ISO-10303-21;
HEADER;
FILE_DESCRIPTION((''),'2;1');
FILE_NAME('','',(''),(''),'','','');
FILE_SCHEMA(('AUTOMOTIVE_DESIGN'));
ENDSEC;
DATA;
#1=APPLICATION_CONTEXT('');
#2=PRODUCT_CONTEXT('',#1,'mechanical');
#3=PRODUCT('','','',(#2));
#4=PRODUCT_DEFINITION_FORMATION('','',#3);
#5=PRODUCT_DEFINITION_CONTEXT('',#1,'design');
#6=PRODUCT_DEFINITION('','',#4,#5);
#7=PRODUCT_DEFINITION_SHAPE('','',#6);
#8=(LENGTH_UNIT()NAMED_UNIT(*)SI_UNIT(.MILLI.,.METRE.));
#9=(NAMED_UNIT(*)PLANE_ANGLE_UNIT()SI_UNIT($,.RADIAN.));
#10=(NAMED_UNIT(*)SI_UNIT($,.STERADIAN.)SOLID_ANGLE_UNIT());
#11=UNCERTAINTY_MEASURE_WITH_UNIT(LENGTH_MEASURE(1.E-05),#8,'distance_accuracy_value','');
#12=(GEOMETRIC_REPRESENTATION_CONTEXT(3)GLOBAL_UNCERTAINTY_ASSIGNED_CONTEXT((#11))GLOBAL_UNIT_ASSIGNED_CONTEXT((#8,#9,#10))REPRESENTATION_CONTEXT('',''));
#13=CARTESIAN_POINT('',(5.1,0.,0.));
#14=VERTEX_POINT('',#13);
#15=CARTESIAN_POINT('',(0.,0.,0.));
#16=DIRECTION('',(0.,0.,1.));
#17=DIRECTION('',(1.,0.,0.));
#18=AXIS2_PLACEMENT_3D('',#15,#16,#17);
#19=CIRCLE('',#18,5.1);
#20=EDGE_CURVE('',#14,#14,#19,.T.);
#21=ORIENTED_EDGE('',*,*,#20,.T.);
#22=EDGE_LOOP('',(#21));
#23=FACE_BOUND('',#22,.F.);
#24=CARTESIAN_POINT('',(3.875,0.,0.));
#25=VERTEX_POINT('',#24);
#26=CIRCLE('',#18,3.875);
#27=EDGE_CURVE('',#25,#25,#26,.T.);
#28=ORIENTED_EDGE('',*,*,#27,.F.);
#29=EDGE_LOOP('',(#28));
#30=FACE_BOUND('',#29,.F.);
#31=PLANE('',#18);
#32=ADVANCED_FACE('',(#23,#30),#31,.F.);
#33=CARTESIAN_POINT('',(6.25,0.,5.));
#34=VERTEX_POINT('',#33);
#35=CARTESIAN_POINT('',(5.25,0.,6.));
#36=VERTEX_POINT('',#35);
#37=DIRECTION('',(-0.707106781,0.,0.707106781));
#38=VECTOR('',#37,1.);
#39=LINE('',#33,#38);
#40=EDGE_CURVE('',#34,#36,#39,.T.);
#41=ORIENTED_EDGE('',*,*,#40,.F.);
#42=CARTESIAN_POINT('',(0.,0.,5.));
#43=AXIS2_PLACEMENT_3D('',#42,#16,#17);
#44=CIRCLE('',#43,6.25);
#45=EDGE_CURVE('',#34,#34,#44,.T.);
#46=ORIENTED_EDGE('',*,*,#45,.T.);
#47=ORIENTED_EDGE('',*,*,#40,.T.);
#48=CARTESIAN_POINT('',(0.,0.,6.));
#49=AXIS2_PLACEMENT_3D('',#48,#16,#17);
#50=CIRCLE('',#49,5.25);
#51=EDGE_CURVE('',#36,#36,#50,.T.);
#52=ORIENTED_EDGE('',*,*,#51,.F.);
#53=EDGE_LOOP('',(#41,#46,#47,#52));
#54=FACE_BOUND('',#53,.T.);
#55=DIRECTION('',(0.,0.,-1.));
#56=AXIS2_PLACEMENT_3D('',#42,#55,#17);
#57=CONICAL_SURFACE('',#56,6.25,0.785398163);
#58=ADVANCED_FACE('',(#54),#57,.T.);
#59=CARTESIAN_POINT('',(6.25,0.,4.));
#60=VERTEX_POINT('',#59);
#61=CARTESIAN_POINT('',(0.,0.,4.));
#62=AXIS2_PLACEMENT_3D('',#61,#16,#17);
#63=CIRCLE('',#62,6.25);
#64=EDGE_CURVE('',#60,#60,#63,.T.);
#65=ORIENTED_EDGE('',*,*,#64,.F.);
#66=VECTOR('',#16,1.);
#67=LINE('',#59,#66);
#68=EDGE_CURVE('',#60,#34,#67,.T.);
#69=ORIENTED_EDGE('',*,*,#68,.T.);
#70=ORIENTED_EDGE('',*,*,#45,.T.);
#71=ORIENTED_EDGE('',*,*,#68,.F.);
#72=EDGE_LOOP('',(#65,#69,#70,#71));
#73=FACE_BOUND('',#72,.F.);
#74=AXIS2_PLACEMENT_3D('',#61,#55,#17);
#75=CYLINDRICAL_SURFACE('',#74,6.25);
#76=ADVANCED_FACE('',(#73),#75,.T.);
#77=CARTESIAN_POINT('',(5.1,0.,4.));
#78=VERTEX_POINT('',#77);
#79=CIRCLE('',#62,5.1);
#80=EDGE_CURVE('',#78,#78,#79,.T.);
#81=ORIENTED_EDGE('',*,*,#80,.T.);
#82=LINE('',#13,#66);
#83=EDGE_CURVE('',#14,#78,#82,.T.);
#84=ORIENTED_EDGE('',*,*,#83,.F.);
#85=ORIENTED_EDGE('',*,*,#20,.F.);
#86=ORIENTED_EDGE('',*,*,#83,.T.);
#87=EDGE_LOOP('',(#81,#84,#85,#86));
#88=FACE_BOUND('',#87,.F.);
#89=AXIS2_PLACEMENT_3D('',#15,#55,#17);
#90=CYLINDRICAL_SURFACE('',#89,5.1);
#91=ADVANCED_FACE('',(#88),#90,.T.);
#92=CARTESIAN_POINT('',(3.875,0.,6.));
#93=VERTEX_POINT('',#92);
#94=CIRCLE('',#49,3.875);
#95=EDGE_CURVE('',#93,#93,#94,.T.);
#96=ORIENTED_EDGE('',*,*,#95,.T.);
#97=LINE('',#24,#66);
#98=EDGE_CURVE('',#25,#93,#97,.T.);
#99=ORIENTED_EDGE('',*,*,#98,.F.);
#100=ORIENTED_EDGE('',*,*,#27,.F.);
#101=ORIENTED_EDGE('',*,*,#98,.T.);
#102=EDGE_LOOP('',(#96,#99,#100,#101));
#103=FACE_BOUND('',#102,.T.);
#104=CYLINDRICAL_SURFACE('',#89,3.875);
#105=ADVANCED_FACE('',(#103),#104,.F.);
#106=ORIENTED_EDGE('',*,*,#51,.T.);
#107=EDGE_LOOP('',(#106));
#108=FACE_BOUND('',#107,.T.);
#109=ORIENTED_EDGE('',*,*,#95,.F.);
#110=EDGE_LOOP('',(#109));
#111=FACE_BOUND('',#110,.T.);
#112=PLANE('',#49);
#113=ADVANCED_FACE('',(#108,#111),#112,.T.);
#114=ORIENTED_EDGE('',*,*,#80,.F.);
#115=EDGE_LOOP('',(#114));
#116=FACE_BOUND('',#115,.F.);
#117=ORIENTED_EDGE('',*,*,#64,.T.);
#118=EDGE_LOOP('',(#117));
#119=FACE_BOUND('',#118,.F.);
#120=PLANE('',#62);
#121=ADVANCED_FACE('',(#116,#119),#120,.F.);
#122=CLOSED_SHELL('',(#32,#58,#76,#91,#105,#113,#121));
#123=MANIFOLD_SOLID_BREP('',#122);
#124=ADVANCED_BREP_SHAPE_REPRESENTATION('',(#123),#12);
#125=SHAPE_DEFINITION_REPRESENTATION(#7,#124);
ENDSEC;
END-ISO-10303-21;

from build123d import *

# Parameters (mm, degrees)
F0_R     = 5.1
F0_R_2   = 3.875
F1_DEPTH = 6
F2_START = 4
F0_R_3   = 6.25
F2_DEPTH = 2
F3_SIZE  = 1


with BuildPart() as f1:
    # F0 (on Top) → F1 (new body)
    with BuildSketch(Plane.XY):
        Circle(F0_R)
        Circle(F0_R_2, mode=Mode.SUBTRACT)
    extrude(amount=F1_DEPTH)

    # F0 (on Top) → F2 (join)
    with BuildSketch(Plane.XY.offset(F2_START)):
        Circle(F0_R_3)
        Circle(F0_R, mode=Mode.SUBTRACT)
    extrude(amount=F2_DEPTH)

    # F3
    f3_edges = [f1.edges().sort_by_distance(p)[0] for p in [
        (-6.25, 0, 6),
    ]]
    chamfer(f3_edges, length=F3_SIZE)


solid = f1.part
